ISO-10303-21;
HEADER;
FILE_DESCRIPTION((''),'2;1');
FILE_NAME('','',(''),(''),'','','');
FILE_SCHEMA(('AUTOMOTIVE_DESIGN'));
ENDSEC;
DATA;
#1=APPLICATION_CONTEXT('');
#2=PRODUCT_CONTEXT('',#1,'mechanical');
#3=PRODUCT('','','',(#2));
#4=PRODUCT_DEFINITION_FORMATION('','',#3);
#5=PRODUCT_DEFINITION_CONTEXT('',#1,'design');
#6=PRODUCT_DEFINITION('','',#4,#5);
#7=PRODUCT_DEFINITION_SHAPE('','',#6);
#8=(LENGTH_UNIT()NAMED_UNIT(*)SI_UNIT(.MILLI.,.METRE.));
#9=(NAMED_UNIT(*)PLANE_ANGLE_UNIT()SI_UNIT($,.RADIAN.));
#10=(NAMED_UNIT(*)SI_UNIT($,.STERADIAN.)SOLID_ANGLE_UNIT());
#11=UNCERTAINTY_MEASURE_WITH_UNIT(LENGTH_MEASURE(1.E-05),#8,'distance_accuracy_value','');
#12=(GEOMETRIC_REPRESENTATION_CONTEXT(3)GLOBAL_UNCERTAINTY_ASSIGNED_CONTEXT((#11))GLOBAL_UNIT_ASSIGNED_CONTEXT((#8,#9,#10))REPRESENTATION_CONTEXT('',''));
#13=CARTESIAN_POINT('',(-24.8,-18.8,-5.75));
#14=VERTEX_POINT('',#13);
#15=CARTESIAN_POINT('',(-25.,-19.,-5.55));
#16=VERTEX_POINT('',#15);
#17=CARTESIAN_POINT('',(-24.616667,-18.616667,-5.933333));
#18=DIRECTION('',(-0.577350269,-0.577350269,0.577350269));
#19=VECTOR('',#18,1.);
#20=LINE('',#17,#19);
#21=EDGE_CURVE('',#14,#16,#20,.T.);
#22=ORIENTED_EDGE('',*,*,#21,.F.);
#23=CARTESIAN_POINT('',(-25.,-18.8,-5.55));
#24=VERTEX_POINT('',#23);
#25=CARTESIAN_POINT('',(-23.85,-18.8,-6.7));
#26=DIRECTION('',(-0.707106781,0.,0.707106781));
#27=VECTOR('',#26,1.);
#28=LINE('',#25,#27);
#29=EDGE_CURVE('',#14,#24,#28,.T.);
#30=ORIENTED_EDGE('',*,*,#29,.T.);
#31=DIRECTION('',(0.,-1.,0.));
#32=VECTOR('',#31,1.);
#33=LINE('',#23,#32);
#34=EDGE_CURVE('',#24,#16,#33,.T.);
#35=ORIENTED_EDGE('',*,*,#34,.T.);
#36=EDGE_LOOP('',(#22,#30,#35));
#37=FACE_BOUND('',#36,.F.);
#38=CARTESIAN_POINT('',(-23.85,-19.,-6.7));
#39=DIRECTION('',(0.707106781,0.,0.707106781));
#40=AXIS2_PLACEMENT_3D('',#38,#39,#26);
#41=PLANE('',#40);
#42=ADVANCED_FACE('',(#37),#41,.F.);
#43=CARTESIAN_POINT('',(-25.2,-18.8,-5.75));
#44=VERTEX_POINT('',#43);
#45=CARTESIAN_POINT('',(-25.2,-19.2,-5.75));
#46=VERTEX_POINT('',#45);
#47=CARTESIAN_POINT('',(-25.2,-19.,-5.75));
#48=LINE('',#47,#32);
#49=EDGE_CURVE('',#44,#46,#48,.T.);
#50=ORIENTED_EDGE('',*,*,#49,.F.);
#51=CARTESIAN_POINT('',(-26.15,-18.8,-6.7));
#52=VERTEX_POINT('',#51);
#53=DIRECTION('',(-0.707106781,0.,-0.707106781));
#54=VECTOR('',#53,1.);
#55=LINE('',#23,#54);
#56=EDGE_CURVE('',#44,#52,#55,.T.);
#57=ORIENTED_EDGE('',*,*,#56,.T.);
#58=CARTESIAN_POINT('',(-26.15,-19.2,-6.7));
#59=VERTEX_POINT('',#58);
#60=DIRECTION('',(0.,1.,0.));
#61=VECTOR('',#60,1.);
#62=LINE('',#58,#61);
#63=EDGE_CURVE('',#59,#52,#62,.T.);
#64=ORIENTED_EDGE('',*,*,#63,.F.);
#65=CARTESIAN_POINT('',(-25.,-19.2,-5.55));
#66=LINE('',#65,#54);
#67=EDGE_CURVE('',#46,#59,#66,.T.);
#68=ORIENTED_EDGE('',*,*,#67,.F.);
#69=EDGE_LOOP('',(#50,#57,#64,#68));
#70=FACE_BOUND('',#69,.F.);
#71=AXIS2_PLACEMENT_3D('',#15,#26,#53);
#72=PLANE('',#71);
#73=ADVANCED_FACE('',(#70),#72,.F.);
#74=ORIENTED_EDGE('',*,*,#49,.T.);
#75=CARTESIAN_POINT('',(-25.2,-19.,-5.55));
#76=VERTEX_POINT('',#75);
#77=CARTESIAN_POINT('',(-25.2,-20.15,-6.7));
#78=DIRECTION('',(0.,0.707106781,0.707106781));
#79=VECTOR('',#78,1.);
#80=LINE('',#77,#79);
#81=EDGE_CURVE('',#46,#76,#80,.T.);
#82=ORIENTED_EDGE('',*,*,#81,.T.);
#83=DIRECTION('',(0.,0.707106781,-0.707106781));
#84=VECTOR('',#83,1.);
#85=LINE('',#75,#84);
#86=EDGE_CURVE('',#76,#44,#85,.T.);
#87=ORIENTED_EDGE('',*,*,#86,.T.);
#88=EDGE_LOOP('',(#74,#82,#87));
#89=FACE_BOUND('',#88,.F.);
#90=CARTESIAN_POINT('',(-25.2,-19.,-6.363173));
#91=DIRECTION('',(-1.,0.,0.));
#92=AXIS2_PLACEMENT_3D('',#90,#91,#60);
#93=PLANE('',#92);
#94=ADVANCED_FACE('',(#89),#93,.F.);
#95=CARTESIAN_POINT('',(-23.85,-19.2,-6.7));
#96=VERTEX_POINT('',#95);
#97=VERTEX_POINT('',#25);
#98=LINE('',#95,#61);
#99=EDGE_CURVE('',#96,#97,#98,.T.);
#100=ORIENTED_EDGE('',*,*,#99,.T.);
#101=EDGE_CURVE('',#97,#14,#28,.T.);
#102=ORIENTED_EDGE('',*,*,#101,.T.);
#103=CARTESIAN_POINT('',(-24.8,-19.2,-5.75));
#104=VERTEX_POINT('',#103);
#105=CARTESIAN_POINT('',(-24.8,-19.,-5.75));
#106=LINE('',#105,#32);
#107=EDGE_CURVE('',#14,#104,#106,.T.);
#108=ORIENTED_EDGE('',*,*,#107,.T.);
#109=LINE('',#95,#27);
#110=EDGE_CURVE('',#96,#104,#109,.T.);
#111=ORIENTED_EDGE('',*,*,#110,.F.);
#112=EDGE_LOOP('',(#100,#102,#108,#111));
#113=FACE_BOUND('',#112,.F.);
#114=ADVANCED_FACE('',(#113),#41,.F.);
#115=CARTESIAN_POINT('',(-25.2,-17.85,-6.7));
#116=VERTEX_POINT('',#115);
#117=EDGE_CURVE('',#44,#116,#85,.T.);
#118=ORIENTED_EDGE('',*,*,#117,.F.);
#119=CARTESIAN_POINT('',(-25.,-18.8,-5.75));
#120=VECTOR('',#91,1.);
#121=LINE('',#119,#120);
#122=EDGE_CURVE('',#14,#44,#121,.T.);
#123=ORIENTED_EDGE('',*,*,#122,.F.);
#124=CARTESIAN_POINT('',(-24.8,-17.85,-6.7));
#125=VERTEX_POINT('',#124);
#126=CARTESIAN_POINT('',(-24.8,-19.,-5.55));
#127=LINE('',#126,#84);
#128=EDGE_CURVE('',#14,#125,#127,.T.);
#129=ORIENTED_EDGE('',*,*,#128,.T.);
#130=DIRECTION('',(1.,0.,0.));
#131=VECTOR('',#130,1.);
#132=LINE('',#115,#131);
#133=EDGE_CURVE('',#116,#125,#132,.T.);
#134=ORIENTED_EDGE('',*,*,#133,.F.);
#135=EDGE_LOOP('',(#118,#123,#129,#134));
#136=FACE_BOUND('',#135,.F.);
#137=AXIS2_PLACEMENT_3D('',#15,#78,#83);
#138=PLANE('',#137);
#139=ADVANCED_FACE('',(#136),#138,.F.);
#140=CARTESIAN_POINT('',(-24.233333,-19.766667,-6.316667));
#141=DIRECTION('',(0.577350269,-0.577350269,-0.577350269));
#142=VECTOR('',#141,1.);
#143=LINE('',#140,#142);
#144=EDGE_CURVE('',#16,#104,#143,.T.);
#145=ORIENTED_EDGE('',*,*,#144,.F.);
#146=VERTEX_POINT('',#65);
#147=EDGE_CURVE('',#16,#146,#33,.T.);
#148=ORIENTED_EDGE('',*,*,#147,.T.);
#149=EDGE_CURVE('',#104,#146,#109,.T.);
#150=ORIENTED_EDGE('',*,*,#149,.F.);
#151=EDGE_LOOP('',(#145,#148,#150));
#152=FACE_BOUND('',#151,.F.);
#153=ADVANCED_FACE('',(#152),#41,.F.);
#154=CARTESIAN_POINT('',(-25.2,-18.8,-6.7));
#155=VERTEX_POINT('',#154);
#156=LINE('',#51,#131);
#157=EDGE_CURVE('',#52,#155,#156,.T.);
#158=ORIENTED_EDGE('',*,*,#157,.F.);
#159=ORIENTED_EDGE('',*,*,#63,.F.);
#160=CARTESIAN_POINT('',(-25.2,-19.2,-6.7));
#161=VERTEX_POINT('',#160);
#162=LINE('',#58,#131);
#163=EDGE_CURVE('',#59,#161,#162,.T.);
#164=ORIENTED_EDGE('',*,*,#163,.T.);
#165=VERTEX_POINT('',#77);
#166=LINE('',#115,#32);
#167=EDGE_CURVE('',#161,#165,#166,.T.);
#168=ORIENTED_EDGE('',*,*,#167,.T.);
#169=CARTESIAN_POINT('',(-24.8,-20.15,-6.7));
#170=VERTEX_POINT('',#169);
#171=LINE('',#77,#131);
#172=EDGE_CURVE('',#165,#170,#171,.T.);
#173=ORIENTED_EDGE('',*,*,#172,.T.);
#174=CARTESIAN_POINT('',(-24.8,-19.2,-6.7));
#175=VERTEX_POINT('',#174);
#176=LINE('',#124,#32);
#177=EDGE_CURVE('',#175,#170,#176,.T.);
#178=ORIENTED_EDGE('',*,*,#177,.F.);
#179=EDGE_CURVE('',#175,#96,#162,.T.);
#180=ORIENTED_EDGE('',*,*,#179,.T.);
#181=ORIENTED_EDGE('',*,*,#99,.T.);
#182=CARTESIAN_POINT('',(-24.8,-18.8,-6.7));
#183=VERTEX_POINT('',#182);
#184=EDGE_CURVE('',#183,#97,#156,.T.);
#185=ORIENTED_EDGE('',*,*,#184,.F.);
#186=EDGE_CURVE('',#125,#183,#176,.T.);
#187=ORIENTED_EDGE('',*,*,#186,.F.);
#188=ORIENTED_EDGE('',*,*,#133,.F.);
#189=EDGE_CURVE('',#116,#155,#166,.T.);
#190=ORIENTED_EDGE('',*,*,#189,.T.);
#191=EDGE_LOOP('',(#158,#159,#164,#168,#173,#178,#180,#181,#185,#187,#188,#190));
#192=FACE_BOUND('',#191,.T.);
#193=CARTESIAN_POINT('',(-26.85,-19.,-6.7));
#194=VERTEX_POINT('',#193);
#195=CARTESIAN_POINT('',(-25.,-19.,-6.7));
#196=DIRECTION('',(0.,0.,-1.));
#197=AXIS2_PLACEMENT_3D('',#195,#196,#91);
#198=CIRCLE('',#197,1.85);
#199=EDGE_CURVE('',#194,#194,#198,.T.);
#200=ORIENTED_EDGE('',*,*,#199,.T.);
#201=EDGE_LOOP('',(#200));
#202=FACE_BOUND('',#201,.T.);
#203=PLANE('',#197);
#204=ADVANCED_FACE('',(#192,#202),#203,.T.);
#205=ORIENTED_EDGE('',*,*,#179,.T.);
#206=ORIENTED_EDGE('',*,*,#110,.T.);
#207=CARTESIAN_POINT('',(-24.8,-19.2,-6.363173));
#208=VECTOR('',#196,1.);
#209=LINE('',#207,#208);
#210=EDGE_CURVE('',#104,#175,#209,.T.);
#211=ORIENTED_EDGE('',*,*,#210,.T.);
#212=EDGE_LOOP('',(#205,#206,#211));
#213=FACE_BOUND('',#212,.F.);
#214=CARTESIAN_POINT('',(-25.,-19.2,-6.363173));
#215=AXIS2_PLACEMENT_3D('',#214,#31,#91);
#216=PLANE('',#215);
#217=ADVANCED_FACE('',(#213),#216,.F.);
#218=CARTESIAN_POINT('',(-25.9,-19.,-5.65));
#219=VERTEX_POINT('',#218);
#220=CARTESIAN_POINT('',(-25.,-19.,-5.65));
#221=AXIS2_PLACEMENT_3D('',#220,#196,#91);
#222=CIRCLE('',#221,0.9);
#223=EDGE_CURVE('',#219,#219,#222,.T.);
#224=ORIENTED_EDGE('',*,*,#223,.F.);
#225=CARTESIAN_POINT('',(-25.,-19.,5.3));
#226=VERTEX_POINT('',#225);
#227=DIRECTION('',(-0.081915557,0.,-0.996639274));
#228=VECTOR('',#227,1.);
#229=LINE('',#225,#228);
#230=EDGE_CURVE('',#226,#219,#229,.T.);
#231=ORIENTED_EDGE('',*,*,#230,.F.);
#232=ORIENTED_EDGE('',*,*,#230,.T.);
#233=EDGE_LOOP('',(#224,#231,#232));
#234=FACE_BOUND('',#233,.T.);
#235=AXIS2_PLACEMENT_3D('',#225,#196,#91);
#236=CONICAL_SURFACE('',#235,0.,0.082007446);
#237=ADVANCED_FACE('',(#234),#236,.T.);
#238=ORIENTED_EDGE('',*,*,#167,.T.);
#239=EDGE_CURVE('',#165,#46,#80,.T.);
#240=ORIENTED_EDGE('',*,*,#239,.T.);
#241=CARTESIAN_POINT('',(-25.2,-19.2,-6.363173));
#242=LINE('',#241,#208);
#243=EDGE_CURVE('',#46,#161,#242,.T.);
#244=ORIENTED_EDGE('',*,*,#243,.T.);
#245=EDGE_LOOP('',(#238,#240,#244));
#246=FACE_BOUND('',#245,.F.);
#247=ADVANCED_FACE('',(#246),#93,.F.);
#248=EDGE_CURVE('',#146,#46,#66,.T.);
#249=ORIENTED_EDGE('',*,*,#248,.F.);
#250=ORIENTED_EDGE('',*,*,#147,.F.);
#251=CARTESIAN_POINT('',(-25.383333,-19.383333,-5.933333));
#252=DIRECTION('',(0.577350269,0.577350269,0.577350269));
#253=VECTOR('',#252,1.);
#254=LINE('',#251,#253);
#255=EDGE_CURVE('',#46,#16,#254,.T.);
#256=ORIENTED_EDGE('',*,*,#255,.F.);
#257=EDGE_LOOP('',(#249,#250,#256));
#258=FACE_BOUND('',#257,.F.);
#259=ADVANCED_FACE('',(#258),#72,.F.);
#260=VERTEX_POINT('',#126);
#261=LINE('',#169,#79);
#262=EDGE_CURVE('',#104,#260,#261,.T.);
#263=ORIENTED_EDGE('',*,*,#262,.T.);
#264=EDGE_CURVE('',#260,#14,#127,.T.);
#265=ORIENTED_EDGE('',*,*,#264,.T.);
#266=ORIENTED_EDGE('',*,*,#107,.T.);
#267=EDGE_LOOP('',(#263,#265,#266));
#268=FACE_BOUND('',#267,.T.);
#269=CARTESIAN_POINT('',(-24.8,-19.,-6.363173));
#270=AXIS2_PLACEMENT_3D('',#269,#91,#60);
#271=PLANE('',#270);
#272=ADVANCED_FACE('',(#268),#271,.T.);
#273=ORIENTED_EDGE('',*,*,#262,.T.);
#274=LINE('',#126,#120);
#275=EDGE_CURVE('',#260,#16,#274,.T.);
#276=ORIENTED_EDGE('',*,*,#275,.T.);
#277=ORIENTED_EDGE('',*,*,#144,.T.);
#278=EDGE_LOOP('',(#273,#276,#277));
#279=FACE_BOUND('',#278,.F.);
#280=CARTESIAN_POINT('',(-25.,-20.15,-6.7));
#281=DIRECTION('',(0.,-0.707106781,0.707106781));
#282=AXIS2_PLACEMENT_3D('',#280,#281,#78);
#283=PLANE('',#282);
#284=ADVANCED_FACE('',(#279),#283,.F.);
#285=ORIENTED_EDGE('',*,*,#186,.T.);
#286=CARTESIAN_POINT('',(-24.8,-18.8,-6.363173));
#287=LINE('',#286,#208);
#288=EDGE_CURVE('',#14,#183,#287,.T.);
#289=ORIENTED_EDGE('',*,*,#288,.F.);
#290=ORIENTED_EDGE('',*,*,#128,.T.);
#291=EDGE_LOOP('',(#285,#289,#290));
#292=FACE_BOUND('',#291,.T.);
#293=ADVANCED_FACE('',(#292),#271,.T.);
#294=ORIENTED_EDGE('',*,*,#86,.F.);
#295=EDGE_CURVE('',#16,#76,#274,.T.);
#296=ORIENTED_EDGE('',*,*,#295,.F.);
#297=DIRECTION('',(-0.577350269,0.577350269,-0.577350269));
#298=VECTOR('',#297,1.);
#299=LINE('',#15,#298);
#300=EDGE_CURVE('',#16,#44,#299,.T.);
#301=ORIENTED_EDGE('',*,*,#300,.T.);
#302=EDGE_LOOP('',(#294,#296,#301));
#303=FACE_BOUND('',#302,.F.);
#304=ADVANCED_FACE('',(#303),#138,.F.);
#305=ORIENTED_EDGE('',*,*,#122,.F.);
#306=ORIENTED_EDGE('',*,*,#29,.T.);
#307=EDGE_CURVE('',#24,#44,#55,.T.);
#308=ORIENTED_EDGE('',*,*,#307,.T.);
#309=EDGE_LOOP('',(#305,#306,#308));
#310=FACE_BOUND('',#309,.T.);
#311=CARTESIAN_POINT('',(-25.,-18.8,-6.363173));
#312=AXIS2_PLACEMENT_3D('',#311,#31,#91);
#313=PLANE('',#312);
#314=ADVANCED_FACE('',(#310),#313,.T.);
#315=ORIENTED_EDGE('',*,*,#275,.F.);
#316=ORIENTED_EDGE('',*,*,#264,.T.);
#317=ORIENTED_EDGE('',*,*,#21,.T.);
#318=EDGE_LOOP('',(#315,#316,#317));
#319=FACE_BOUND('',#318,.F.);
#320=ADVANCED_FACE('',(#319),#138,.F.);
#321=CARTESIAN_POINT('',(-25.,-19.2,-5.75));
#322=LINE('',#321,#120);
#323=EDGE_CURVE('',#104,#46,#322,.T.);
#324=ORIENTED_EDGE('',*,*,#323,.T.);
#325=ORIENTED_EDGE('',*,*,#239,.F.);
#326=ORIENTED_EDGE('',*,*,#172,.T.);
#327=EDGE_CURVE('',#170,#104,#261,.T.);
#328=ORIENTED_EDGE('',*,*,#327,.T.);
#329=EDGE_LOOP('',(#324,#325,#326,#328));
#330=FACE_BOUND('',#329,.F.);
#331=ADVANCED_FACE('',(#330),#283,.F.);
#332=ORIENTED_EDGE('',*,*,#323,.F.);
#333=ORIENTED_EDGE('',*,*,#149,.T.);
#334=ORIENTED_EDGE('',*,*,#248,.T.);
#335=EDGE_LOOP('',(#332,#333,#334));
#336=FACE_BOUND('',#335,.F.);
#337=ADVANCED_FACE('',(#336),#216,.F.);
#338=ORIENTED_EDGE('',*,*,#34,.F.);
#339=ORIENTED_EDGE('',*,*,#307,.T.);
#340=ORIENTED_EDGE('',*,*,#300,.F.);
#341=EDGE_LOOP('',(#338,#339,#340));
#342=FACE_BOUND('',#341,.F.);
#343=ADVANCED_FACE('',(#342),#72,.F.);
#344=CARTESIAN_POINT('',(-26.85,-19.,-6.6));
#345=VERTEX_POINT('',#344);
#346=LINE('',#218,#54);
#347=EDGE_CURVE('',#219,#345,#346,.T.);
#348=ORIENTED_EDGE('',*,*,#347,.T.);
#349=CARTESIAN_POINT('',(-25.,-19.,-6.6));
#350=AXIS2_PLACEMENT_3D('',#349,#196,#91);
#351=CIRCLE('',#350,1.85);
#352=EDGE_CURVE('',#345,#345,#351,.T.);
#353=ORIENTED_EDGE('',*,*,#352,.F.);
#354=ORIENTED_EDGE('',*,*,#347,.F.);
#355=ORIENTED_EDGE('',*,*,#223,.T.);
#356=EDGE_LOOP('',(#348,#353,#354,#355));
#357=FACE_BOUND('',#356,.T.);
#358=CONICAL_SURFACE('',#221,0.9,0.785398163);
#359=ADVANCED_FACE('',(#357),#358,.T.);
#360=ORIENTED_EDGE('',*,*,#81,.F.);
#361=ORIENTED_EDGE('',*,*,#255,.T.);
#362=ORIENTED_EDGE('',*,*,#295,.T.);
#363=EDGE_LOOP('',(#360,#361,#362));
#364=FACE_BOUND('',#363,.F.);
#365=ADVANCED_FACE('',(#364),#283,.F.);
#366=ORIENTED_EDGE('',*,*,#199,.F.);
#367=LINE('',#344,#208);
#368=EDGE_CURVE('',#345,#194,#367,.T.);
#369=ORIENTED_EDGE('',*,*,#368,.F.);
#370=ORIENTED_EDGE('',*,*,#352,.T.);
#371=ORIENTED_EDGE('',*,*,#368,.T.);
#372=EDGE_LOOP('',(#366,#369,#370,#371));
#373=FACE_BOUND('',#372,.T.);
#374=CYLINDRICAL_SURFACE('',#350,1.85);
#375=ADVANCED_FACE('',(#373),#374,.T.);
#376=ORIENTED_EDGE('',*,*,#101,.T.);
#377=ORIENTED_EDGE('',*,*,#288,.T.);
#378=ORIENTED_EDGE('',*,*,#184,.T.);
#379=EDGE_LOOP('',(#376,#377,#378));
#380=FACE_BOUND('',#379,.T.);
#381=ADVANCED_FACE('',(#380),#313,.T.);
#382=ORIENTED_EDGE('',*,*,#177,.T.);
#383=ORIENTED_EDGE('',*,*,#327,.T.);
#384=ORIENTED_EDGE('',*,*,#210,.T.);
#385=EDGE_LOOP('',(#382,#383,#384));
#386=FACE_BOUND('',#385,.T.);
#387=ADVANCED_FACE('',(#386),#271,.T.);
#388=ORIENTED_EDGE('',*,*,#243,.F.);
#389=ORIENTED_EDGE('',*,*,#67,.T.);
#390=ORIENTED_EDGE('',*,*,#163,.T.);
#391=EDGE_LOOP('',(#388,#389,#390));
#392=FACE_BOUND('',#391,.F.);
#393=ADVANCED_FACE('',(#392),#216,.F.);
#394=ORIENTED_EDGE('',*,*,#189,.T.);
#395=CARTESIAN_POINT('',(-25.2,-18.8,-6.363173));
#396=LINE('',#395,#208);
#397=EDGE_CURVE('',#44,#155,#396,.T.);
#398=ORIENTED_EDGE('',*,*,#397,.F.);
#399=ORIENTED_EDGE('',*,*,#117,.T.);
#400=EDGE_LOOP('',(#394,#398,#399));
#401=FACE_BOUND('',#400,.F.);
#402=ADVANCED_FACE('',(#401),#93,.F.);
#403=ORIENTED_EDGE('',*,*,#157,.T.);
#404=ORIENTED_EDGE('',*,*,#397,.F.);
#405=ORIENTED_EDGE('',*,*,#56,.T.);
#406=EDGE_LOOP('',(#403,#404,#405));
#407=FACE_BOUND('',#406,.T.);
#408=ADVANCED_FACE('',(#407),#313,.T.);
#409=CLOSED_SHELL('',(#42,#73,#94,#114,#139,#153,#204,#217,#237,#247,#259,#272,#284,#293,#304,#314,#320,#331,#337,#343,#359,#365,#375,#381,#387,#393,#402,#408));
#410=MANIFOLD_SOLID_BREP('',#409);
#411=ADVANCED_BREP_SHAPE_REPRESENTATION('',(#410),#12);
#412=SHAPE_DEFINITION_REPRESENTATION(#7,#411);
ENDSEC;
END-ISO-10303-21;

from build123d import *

# Parameters (mm, degrees)
POCKET004_DEPTH         = 0.2
POLARPATTERN004_COUNT   = 2
POLARPATTERN004_ANGLE   = 90
BODY008_PLACEMENT_ANGLE = 180


with BuildPart() as part:
    # Sketch016 → Revolution004 (revolve)
    with BuildSketch(Plane.XZ):
        Polygon((0, 0), (0, -12), (0.9, -1.05), (1.85, -0.1), (1.85, 0), align=None)
    revolve(axis=Axis((0, 0, 0), (0, 0, 1)))

    # Sketch015 → Pocket004 (cut, symmetric)
    with BuildSketch(Plane.XZ):
        Polygon((-1.15, 0), (0, -1.15), (1.15, 0), align=None)
    pocket004 = extrude(amount=POCKET004_DEPTH, both=True, mode=Mode.SUBTRACT)

    # PolarPattern004: Pocket004 ×2 about axis
    polarpattern004_axis = Axis((0, 0, 0), (0, 0, 1))
    for i in range(1, POLARPATTERN004_COUNT):
        add(pocket004.rotate(polarpattern004_axis, i * POLARPATTERN004_ANGLE / (POLARPATTERN004_COUNT - 1)), mode=Mode.SUBTRACT)


with BuildPart() as part_1:
    # Body008 placement: moved
    add(part.part.moved(Location((-25, -19, -6.7))).rotate(Axis((-25, -19, -6.7), (0, 1, 0)), BODY008_PLACEMENT_ANGLE))


solid = part_1.part
